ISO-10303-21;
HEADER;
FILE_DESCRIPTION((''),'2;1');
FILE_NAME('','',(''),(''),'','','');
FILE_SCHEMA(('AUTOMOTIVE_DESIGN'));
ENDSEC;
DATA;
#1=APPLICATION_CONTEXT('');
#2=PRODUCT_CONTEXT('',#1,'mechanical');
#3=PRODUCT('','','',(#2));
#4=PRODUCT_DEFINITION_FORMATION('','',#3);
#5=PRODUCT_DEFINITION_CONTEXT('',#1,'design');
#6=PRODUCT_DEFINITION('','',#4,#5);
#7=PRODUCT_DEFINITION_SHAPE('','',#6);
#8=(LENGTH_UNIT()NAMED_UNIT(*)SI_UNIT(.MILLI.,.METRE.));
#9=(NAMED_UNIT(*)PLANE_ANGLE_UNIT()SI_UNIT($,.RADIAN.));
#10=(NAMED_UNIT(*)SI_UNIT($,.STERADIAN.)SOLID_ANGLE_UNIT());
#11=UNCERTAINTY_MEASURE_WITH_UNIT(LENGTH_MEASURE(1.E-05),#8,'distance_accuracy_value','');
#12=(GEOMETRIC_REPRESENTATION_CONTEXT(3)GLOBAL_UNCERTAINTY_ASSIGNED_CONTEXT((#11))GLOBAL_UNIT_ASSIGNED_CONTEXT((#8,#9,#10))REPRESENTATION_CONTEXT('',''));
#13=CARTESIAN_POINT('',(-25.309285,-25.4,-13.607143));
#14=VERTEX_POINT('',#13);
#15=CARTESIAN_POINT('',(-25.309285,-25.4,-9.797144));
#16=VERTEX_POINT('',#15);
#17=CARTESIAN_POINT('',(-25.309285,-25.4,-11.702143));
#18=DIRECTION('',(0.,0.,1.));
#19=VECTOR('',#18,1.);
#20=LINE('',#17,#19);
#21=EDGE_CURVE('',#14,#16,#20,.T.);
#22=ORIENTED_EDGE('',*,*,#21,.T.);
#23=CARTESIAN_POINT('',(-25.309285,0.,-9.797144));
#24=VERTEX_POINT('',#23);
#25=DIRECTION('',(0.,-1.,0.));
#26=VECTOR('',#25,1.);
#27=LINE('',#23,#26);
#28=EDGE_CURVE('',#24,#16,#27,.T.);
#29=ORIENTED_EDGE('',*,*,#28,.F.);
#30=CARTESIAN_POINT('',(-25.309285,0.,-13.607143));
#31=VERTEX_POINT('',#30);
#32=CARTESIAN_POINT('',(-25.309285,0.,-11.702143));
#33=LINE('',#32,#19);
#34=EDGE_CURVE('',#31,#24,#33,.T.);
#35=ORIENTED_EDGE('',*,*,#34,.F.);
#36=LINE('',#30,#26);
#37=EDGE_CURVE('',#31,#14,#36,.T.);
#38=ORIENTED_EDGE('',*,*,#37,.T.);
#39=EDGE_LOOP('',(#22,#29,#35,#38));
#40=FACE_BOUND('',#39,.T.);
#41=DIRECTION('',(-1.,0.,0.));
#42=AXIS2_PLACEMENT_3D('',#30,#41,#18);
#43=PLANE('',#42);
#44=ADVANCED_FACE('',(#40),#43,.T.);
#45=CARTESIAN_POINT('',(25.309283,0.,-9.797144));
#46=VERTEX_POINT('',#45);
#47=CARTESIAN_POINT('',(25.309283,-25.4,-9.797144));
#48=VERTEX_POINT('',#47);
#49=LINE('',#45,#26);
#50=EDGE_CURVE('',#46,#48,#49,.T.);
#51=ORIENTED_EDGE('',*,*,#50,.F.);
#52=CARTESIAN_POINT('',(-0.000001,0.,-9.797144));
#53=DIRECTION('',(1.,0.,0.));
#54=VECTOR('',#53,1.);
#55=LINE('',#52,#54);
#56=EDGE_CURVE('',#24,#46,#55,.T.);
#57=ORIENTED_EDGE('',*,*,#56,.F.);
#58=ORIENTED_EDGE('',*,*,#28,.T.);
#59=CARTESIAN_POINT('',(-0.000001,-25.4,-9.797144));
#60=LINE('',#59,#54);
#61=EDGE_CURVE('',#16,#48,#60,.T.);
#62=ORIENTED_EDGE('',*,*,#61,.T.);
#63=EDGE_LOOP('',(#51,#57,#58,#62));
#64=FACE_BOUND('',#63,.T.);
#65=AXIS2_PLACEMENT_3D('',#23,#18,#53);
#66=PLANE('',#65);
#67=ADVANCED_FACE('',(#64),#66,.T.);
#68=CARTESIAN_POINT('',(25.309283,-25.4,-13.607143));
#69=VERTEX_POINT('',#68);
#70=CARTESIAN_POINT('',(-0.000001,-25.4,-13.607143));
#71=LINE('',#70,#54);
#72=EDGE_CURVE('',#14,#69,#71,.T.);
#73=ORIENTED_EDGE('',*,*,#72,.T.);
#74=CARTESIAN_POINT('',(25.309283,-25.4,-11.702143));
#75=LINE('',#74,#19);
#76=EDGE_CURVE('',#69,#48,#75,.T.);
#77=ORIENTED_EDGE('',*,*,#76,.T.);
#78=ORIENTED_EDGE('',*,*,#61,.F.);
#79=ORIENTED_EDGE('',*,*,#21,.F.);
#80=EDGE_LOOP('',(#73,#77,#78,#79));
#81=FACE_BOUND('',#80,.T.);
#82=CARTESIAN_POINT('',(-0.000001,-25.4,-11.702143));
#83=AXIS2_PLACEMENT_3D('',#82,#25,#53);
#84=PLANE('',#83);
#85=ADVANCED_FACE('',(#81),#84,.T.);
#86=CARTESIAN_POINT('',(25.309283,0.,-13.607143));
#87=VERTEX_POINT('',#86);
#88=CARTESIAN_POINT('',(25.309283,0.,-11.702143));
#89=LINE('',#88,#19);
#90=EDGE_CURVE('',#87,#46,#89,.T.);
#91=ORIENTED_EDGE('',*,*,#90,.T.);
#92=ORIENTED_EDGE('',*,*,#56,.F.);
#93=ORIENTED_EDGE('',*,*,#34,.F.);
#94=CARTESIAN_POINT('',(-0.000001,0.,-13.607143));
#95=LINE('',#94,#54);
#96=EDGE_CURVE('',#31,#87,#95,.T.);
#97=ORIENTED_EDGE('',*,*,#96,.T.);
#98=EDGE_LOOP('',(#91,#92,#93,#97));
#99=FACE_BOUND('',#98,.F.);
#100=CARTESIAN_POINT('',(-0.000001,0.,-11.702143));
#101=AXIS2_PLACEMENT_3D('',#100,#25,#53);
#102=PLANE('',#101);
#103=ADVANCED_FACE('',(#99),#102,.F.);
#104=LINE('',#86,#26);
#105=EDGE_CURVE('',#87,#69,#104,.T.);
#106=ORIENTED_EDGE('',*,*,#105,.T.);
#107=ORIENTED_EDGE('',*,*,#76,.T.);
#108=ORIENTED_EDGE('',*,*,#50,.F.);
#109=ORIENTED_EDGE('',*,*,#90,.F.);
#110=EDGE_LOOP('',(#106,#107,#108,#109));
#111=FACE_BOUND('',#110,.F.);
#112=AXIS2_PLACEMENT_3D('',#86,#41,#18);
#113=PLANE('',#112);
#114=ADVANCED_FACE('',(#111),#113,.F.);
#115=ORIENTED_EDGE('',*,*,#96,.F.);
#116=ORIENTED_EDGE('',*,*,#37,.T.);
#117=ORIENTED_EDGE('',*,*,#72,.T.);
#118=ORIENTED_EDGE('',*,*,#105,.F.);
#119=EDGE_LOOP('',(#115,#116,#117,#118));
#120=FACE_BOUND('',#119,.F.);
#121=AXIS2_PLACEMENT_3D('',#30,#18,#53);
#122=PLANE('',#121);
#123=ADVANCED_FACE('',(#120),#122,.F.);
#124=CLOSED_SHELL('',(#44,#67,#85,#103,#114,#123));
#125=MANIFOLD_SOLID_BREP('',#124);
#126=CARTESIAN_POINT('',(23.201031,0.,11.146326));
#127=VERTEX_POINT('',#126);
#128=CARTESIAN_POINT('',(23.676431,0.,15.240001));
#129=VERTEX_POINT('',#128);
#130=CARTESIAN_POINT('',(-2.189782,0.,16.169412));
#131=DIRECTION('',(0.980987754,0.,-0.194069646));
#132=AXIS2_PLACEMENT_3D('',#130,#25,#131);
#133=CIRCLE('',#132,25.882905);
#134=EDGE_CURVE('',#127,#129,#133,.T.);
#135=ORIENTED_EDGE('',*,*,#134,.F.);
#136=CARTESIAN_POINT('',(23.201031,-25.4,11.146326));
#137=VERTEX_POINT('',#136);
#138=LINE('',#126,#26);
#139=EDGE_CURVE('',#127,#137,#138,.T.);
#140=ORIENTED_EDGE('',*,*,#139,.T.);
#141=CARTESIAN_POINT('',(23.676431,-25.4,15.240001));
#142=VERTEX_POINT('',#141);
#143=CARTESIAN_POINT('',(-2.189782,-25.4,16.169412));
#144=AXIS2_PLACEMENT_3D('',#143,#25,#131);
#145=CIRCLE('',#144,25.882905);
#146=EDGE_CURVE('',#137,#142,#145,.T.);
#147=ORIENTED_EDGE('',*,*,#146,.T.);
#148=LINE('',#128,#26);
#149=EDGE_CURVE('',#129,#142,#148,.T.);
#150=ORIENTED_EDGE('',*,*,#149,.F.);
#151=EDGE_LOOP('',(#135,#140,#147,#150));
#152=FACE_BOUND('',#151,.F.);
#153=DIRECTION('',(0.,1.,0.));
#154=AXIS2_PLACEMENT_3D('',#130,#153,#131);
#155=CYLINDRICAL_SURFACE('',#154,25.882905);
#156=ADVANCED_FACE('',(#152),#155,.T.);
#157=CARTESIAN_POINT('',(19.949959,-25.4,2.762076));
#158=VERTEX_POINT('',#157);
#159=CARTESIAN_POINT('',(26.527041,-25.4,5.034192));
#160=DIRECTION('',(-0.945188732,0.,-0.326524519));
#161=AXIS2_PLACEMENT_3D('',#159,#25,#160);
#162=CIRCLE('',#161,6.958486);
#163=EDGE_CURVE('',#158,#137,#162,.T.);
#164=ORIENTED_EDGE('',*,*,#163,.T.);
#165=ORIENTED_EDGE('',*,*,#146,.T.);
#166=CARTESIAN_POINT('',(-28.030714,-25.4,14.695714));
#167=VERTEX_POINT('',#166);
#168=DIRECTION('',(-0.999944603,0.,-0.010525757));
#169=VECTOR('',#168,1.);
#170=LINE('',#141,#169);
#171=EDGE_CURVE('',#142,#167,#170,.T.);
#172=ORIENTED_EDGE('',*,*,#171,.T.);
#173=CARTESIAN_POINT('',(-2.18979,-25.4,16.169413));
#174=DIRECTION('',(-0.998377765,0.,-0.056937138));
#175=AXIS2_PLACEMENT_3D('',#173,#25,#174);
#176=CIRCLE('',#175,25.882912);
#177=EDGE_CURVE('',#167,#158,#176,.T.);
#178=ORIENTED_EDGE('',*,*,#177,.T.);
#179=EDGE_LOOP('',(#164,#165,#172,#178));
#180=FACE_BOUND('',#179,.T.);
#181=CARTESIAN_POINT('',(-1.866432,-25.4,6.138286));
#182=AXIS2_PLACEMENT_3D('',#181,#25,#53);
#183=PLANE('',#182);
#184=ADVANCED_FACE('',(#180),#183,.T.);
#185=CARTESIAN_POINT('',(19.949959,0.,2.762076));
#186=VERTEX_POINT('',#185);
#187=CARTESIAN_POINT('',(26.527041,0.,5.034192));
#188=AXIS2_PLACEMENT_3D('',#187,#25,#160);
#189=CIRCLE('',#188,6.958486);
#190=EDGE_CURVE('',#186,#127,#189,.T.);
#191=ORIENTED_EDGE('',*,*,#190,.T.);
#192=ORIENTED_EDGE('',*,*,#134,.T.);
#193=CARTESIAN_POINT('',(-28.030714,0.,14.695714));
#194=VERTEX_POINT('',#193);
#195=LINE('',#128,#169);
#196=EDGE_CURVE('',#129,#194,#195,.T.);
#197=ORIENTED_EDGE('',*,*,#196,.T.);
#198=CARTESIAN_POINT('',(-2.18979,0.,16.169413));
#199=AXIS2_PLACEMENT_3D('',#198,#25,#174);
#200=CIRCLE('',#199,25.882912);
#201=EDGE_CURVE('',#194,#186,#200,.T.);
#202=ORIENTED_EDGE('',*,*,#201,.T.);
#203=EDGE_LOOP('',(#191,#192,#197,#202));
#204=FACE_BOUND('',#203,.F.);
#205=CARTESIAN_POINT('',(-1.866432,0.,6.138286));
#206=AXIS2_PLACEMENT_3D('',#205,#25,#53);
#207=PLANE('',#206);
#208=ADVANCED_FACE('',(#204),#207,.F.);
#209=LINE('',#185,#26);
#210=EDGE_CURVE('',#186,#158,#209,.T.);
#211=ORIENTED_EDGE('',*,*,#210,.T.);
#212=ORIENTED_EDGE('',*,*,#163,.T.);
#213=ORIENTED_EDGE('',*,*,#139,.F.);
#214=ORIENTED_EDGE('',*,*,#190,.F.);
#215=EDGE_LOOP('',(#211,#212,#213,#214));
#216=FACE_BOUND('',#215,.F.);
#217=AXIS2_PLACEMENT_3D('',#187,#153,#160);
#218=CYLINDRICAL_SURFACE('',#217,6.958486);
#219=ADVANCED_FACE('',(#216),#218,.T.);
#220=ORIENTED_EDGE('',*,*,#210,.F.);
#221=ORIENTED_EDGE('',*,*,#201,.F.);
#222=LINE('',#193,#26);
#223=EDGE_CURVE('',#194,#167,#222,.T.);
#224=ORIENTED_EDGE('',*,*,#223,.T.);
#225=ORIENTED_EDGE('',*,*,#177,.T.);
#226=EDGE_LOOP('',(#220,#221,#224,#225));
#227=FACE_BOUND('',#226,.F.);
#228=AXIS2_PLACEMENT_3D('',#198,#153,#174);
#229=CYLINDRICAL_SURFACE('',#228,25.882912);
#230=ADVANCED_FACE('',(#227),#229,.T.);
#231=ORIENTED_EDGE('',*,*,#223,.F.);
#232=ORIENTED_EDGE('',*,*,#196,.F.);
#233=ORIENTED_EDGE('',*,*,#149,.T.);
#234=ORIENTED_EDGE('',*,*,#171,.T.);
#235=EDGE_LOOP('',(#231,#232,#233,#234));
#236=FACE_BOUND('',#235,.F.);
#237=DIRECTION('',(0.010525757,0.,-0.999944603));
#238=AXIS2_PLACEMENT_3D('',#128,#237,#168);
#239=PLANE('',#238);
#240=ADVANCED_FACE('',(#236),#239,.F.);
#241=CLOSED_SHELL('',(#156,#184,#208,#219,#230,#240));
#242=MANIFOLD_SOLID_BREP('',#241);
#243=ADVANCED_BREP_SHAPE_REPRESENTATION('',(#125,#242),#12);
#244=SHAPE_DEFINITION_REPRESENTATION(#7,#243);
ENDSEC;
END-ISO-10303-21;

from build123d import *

# Parameters (mm, degrees)
F0_W     = 50.618568
F0_H     = 3.809999
F1_DEPTH = 25.4


with BuildPart() as f1:
    # F0 (on Front) → F1 (new body)
    with BuildSketch(Plane.XZ):
        with BuildLine():
            Line((23.676431, 15.240001), (-28.030714, 14.695714))
            ThreePointArc((-28.030714, 14.695714), (-8.436998, -8.948261), (19.949959, 2.762076))
            ThreePointArc((19.949959, 2.762076), (21.942402, 6.811929), (23.201031, 11.146326))
            ThreePointArc((23.201031, 11.146326), (23.520337, 13.183686), (23.676431, 15.240001))
        make_face()
        with BuildLine():
            ThreePointArc((23.201031, 11.146326), (21.942402, 6.811929), (19.949959, 2.762076))
            ThreePointArc((19.949959, 2.762076), (33.014855, 2.518482), (23.201031, 11.146326))
        make_face()
        with Locations((-1e-06, -11.702143)):
            Rectangle(F0_W, F0_H)
    extrude(amount=F1_DEPTH)


solid = f1.part
